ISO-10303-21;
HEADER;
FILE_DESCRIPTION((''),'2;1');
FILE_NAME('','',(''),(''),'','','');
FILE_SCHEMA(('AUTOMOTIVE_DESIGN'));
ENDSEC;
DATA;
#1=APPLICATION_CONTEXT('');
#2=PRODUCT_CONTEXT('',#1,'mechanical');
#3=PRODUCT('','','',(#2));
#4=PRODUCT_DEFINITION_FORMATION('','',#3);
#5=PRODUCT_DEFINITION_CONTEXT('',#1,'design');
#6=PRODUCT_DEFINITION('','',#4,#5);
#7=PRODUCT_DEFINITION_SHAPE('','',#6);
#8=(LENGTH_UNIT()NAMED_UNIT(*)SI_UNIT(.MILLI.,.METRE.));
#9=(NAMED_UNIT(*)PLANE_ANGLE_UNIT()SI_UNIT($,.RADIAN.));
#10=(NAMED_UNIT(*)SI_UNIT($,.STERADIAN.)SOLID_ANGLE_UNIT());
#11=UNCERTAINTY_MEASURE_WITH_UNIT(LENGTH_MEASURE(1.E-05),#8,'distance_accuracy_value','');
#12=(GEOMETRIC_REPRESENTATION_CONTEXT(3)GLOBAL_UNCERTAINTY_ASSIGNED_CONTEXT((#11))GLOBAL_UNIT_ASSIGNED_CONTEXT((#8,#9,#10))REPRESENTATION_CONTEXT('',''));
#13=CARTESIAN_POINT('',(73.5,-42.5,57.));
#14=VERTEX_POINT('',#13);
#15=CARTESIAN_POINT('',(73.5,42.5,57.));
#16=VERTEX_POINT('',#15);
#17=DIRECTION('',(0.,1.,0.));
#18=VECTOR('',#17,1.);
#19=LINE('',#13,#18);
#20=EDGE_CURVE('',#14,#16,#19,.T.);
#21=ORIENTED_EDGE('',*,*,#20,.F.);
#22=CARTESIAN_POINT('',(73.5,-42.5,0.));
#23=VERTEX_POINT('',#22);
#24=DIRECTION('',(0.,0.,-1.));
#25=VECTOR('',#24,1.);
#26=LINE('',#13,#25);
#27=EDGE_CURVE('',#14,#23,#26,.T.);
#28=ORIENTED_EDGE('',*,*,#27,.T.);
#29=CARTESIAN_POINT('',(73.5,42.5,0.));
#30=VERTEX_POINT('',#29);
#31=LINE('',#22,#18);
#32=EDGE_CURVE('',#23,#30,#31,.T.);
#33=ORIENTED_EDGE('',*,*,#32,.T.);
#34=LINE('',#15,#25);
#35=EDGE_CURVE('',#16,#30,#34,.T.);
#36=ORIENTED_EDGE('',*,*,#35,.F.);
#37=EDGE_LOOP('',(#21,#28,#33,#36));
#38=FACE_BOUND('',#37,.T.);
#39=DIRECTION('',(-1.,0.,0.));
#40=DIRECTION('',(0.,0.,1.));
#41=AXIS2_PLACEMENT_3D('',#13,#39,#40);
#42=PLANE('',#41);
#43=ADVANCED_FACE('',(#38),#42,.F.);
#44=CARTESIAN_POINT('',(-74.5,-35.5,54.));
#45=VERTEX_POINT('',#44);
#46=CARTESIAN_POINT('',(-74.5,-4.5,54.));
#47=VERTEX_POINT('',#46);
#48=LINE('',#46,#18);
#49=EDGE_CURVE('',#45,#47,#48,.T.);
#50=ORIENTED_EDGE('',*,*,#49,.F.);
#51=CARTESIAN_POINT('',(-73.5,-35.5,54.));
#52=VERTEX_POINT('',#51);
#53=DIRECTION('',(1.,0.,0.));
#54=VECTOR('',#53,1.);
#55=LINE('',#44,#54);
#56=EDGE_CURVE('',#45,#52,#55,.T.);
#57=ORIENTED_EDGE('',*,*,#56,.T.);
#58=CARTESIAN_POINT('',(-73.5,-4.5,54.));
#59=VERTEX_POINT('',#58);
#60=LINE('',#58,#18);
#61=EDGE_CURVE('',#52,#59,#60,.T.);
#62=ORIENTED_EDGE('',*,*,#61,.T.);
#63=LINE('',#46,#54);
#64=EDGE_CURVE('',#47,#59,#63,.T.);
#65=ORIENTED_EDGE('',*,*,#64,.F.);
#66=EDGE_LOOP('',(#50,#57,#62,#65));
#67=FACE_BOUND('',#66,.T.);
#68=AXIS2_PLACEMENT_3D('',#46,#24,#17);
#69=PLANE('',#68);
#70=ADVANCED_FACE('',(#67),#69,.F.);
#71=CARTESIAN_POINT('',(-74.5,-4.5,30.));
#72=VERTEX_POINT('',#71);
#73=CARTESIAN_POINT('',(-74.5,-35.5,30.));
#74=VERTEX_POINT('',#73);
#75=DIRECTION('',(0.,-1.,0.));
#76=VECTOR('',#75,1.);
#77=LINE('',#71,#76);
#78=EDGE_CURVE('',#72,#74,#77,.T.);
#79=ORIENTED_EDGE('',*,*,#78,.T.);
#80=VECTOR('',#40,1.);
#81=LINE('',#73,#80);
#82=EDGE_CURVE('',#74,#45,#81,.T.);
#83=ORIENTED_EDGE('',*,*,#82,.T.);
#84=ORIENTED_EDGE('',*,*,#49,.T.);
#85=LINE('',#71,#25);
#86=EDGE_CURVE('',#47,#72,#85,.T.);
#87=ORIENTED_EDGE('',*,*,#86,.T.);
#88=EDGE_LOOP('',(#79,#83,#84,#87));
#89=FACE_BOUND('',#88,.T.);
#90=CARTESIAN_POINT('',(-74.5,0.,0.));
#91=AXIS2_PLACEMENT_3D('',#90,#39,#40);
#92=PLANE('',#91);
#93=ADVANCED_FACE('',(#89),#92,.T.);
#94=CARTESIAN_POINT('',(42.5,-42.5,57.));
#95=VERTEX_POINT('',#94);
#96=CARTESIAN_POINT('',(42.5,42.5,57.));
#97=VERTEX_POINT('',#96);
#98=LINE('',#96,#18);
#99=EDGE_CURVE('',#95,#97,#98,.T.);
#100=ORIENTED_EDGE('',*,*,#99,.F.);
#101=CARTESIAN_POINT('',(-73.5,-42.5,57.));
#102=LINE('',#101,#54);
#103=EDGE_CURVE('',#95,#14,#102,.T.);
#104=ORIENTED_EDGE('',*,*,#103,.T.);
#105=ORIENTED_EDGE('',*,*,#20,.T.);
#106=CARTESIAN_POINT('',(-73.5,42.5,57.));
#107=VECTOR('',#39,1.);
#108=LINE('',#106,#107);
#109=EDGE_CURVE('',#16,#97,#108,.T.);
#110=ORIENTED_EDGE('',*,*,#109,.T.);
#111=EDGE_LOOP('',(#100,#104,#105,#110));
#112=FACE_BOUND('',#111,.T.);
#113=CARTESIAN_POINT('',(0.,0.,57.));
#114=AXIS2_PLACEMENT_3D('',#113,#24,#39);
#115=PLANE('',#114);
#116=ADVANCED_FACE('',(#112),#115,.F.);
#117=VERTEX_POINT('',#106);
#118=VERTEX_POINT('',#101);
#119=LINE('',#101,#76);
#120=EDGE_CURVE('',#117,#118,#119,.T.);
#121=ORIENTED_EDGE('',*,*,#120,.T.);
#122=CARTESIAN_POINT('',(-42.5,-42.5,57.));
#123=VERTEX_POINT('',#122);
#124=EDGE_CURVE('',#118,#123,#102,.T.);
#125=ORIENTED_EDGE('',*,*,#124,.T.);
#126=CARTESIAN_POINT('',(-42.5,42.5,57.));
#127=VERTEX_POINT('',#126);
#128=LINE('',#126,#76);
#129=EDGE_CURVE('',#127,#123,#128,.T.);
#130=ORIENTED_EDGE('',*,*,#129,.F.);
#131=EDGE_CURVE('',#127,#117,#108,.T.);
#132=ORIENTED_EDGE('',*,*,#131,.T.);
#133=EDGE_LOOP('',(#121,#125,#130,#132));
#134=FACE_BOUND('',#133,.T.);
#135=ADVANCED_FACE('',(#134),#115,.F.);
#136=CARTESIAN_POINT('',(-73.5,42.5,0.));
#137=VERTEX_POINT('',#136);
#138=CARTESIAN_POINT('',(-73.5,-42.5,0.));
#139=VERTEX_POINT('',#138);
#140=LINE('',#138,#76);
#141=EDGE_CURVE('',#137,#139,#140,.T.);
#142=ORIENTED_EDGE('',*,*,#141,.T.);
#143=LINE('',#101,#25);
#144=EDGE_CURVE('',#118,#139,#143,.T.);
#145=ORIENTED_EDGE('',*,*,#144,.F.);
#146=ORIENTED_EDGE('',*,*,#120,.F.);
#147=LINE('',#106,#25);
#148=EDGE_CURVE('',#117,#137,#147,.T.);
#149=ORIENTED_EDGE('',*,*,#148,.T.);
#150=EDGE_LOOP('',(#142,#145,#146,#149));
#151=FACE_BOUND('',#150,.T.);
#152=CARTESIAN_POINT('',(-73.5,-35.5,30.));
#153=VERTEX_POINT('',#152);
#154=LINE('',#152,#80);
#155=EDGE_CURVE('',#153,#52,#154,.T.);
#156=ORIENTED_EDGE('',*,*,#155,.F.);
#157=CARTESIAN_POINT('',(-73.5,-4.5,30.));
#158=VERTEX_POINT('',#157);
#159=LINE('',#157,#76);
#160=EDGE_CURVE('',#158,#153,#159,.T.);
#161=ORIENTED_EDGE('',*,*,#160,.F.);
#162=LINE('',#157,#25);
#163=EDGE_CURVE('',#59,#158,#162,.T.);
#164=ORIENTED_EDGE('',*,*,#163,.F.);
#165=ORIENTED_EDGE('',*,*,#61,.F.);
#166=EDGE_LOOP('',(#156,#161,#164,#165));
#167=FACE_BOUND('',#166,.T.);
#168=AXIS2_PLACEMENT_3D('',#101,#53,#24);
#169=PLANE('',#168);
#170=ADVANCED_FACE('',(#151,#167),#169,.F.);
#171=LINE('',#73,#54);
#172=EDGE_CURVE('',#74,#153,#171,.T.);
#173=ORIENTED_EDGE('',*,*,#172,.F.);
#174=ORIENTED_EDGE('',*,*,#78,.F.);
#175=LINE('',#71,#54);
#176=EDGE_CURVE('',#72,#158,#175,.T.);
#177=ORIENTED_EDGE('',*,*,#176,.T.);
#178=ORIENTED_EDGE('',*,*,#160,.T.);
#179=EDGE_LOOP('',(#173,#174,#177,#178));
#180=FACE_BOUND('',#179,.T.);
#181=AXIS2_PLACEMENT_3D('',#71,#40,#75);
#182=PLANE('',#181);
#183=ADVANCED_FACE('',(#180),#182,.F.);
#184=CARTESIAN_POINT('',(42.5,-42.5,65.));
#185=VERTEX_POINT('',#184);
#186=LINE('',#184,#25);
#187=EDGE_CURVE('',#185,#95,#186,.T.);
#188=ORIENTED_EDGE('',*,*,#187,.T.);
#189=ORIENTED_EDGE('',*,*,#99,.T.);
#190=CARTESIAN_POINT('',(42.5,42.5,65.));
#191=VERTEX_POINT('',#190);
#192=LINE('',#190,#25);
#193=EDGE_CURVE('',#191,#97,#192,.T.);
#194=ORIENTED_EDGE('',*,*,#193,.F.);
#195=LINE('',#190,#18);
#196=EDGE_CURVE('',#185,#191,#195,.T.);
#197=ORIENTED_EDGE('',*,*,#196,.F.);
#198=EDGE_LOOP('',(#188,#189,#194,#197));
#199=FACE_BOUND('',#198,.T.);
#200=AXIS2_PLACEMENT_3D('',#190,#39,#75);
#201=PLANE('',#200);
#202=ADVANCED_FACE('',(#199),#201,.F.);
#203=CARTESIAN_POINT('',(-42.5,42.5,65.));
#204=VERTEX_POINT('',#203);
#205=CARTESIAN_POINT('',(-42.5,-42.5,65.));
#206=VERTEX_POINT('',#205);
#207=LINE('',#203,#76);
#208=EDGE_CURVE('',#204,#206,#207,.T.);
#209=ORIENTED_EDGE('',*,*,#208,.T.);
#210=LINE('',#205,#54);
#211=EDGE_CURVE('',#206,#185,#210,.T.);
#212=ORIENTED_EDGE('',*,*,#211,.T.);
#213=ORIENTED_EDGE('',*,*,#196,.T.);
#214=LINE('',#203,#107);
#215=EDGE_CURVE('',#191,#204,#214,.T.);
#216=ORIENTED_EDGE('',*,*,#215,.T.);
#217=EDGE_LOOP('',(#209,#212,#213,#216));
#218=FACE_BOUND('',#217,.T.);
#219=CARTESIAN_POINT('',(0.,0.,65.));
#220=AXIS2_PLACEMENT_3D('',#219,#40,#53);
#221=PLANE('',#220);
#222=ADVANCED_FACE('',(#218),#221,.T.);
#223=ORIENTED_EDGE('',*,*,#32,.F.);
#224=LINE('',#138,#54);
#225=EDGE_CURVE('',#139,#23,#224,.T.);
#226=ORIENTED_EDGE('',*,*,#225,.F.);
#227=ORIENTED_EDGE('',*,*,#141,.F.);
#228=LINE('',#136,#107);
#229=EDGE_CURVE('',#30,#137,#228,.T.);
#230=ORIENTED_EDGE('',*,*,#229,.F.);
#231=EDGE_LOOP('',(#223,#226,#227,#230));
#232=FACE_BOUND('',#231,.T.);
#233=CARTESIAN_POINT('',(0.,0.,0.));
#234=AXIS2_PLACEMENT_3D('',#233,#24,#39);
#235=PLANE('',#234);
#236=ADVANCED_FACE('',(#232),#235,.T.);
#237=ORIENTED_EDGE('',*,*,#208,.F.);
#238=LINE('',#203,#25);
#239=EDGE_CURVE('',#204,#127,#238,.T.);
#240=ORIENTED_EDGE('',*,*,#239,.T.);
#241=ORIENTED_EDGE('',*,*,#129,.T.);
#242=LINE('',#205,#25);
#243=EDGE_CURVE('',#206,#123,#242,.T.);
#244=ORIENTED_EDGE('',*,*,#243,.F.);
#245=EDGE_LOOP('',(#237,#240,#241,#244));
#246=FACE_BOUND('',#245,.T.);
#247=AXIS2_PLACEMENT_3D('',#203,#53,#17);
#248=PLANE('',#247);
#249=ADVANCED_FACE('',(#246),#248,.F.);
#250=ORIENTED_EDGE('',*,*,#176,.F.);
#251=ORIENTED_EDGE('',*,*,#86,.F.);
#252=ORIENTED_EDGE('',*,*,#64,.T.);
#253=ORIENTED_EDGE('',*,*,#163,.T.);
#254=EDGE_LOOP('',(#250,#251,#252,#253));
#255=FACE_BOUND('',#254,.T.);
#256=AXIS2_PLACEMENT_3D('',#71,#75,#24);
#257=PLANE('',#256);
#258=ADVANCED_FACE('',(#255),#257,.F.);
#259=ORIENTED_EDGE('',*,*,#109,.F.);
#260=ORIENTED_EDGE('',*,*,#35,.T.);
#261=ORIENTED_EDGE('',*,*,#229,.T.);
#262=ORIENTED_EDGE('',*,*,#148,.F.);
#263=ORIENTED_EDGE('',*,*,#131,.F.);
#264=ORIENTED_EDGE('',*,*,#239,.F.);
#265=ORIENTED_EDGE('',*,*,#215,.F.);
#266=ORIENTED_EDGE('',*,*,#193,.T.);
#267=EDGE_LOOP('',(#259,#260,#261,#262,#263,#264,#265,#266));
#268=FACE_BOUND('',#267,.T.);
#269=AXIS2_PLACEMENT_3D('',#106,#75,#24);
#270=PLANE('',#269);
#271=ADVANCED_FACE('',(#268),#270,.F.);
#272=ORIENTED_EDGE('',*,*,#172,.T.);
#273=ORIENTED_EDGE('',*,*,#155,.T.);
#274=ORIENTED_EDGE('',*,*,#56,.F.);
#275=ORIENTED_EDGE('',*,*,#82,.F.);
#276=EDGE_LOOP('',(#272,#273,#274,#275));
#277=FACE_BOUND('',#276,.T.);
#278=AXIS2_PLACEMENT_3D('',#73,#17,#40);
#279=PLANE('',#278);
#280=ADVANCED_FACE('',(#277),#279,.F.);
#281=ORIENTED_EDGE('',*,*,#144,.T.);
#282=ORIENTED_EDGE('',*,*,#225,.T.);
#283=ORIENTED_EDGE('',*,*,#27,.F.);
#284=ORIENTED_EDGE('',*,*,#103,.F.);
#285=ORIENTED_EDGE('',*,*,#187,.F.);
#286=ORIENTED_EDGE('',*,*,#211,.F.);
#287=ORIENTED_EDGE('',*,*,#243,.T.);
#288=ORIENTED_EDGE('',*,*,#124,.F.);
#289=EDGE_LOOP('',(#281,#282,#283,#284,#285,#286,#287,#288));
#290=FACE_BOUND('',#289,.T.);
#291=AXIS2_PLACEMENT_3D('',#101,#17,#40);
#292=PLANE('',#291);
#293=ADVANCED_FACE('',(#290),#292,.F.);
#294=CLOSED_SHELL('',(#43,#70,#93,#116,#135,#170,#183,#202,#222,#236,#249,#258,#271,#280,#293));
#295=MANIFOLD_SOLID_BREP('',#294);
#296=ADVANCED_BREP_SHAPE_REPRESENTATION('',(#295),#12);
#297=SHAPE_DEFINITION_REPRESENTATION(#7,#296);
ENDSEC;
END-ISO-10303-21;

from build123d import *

# Parameters (mm, degrees)
SKETCH1_W           = 147
SKETCH1_H           = 85
BOSS_EXTRUDE1_DEPTH = 57
SKETCH2_W           = 85
SKETCH2_H           = 85
BOSS_EXTRUDE2_DEPTH = 8
SKETCH3_W           = 24
SKETCH3_H           = 31
BOSS_EXTRUDE3_DEPTH = 1


with BuildPart() as part:
    # Sketch1 → Boss-Extrude1 (new body)
    with BuildSketch(Plane.XY):
        Rectangle(SKETCH1_W, SKETCH1_H)
    extrude(amount=BOSS_EXTRUDE1_DEPTH)

    # Sketch2 → Boss-Extrude2 (add)
    with BuildSketch(Plane.XY.offset(57)):
        Rectangle(SKETCH2_W, SKETCH2_H)
    extrude(amount=BOSS_EXTRUDE2_DEPTH)

    # Sketch3 → Boss-Extrude3 (add)
    with BuildSketch(Plane.ZY.offset(73.5)):
        with Locations((42, -20)):
            Rectangle(SKETCH3_W, SKETCH3_H)
    extrude(amount=BOSS_EXTRUDE3_DEPTH)


solid = part.part
